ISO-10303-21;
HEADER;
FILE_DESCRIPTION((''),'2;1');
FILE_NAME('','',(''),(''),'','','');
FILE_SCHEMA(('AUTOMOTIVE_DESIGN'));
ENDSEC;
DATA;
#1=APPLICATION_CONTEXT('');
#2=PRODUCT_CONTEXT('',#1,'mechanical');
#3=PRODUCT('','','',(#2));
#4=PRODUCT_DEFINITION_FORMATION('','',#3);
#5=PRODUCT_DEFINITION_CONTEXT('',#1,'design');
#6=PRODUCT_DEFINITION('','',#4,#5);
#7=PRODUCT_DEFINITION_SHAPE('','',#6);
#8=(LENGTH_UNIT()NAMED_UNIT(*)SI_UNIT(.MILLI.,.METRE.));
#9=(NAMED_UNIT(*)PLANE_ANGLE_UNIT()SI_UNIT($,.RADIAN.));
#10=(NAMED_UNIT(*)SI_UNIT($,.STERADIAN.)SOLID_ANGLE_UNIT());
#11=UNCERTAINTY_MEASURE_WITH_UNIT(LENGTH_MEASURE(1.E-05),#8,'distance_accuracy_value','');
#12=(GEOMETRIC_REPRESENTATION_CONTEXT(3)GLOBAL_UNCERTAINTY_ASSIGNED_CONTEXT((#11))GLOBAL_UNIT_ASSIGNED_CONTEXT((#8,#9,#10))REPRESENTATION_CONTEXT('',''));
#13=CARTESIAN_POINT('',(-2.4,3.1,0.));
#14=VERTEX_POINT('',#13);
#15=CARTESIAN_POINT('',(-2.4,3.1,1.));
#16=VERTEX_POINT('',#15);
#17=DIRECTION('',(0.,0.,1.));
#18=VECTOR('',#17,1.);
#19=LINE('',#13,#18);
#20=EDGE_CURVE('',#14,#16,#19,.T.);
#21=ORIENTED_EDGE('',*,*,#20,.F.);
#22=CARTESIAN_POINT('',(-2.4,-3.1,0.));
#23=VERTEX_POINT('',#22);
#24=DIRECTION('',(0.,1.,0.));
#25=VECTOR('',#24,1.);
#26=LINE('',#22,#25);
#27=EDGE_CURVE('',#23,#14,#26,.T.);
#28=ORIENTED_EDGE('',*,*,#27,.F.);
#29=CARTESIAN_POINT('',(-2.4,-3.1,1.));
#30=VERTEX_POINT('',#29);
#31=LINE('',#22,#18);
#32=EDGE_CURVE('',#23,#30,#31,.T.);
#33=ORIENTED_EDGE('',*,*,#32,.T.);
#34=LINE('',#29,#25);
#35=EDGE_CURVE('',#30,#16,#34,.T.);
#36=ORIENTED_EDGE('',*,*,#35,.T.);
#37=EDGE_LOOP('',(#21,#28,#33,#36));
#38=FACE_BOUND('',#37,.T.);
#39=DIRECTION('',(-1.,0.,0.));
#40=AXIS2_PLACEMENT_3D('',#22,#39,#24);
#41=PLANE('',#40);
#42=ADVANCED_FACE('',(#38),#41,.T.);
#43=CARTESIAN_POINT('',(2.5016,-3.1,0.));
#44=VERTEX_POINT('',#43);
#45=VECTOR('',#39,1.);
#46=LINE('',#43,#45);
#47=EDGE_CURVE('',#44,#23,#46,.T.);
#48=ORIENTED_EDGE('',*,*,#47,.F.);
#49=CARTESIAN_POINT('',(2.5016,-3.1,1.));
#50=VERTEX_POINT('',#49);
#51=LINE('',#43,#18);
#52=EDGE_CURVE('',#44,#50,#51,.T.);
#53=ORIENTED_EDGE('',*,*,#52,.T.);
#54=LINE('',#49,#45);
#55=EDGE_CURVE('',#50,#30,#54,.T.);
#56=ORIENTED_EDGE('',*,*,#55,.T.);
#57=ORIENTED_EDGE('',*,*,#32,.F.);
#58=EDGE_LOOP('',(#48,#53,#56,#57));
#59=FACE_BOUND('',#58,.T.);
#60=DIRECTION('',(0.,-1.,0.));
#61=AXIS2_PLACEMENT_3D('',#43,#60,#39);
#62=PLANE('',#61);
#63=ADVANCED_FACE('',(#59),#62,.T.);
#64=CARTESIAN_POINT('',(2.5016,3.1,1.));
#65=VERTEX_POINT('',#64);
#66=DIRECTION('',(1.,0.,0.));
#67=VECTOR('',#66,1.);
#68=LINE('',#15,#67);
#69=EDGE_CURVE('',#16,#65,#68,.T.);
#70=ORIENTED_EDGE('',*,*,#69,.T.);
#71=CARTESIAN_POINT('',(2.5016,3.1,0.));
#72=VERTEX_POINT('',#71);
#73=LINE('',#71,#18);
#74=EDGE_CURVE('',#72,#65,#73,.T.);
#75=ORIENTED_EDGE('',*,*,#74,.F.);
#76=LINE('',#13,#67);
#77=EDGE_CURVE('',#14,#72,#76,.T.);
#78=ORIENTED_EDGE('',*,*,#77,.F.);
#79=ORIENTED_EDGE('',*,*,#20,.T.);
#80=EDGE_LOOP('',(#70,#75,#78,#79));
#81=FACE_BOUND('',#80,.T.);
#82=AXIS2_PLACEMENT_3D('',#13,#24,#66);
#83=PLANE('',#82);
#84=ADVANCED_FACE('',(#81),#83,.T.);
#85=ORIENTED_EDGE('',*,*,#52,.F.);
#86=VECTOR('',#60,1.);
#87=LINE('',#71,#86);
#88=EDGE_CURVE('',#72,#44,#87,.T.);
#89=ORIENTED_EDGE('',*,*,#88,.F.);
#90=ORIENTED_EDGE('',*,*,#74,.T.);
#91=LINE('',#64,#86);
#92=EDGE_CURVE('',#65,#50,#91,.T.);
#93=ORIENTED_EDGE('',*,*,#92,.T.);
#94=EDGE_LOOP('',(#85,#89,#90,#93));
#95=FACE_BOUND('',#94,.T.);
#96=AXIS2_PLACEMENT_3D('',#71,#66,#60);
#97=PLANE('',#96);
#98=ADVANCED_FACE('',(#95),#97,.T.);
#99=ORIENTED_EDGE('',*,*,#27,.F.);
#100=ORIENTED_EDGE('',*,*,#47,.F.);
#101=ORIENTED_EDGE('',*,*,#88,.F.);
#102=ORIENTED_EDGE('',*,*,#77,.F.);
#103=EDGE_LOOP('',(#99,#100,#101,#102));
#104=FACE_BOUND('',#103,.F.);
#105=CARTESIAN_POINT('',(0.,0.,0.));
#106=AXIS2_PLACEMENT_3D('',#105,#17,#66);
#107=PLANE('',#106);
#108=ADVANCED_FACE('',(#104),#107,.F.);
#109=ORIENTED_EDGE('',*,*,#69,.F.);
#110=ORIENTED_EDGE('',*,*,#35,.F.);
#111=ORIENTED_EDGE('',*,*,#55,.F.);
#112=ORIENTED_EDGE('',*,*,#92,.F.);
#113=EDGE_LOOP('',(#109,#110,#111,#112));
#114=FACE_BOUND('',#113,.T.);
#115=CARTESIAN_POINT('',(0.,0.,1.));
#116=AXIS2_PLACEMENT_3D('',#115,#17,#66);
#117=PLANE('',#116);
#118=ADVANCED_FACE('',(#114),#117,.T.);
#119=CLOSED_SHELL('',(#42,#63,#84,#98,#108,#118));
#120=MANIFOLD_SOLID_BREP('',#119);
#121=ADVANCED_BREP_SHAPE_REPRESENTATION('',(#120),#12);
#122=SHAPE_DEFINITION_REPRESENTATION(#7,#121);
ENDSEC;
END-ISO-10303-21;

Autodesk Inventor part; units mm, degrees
ref_plane "YZ Plane" through (0, 0, 0) normal (1, 0, 0) x (0, 1, 0)
ref_plane "XZ Plane" through (0, 0, 0) normal (0, 1, 0) x (-1, 0, 0)
ref_plane "XY Plane" through (0, 0, 0) normal (0, 0, 1) x (1, 0, 0)
sketch "SO08, LM358MX_22" plane through (0, 0, 0) normal (0, 0, 1) x (1, 0, 0)
  line L0 (-2.4, 3.1) -> (2.5016, 3.1)
  line L1 (2.5016, 3.1) -> (2.5016, -3.1)
  line L2 (2.5016, -3.1) -> (-2.4, -3.1)
  line L3 (-2.4, -3.1) -> (-2.4, 3.1)
extrude "Extrusion1" add sketch "SO08, LM358MX_22" along normal blind 1
properties part number "LM358MX"
